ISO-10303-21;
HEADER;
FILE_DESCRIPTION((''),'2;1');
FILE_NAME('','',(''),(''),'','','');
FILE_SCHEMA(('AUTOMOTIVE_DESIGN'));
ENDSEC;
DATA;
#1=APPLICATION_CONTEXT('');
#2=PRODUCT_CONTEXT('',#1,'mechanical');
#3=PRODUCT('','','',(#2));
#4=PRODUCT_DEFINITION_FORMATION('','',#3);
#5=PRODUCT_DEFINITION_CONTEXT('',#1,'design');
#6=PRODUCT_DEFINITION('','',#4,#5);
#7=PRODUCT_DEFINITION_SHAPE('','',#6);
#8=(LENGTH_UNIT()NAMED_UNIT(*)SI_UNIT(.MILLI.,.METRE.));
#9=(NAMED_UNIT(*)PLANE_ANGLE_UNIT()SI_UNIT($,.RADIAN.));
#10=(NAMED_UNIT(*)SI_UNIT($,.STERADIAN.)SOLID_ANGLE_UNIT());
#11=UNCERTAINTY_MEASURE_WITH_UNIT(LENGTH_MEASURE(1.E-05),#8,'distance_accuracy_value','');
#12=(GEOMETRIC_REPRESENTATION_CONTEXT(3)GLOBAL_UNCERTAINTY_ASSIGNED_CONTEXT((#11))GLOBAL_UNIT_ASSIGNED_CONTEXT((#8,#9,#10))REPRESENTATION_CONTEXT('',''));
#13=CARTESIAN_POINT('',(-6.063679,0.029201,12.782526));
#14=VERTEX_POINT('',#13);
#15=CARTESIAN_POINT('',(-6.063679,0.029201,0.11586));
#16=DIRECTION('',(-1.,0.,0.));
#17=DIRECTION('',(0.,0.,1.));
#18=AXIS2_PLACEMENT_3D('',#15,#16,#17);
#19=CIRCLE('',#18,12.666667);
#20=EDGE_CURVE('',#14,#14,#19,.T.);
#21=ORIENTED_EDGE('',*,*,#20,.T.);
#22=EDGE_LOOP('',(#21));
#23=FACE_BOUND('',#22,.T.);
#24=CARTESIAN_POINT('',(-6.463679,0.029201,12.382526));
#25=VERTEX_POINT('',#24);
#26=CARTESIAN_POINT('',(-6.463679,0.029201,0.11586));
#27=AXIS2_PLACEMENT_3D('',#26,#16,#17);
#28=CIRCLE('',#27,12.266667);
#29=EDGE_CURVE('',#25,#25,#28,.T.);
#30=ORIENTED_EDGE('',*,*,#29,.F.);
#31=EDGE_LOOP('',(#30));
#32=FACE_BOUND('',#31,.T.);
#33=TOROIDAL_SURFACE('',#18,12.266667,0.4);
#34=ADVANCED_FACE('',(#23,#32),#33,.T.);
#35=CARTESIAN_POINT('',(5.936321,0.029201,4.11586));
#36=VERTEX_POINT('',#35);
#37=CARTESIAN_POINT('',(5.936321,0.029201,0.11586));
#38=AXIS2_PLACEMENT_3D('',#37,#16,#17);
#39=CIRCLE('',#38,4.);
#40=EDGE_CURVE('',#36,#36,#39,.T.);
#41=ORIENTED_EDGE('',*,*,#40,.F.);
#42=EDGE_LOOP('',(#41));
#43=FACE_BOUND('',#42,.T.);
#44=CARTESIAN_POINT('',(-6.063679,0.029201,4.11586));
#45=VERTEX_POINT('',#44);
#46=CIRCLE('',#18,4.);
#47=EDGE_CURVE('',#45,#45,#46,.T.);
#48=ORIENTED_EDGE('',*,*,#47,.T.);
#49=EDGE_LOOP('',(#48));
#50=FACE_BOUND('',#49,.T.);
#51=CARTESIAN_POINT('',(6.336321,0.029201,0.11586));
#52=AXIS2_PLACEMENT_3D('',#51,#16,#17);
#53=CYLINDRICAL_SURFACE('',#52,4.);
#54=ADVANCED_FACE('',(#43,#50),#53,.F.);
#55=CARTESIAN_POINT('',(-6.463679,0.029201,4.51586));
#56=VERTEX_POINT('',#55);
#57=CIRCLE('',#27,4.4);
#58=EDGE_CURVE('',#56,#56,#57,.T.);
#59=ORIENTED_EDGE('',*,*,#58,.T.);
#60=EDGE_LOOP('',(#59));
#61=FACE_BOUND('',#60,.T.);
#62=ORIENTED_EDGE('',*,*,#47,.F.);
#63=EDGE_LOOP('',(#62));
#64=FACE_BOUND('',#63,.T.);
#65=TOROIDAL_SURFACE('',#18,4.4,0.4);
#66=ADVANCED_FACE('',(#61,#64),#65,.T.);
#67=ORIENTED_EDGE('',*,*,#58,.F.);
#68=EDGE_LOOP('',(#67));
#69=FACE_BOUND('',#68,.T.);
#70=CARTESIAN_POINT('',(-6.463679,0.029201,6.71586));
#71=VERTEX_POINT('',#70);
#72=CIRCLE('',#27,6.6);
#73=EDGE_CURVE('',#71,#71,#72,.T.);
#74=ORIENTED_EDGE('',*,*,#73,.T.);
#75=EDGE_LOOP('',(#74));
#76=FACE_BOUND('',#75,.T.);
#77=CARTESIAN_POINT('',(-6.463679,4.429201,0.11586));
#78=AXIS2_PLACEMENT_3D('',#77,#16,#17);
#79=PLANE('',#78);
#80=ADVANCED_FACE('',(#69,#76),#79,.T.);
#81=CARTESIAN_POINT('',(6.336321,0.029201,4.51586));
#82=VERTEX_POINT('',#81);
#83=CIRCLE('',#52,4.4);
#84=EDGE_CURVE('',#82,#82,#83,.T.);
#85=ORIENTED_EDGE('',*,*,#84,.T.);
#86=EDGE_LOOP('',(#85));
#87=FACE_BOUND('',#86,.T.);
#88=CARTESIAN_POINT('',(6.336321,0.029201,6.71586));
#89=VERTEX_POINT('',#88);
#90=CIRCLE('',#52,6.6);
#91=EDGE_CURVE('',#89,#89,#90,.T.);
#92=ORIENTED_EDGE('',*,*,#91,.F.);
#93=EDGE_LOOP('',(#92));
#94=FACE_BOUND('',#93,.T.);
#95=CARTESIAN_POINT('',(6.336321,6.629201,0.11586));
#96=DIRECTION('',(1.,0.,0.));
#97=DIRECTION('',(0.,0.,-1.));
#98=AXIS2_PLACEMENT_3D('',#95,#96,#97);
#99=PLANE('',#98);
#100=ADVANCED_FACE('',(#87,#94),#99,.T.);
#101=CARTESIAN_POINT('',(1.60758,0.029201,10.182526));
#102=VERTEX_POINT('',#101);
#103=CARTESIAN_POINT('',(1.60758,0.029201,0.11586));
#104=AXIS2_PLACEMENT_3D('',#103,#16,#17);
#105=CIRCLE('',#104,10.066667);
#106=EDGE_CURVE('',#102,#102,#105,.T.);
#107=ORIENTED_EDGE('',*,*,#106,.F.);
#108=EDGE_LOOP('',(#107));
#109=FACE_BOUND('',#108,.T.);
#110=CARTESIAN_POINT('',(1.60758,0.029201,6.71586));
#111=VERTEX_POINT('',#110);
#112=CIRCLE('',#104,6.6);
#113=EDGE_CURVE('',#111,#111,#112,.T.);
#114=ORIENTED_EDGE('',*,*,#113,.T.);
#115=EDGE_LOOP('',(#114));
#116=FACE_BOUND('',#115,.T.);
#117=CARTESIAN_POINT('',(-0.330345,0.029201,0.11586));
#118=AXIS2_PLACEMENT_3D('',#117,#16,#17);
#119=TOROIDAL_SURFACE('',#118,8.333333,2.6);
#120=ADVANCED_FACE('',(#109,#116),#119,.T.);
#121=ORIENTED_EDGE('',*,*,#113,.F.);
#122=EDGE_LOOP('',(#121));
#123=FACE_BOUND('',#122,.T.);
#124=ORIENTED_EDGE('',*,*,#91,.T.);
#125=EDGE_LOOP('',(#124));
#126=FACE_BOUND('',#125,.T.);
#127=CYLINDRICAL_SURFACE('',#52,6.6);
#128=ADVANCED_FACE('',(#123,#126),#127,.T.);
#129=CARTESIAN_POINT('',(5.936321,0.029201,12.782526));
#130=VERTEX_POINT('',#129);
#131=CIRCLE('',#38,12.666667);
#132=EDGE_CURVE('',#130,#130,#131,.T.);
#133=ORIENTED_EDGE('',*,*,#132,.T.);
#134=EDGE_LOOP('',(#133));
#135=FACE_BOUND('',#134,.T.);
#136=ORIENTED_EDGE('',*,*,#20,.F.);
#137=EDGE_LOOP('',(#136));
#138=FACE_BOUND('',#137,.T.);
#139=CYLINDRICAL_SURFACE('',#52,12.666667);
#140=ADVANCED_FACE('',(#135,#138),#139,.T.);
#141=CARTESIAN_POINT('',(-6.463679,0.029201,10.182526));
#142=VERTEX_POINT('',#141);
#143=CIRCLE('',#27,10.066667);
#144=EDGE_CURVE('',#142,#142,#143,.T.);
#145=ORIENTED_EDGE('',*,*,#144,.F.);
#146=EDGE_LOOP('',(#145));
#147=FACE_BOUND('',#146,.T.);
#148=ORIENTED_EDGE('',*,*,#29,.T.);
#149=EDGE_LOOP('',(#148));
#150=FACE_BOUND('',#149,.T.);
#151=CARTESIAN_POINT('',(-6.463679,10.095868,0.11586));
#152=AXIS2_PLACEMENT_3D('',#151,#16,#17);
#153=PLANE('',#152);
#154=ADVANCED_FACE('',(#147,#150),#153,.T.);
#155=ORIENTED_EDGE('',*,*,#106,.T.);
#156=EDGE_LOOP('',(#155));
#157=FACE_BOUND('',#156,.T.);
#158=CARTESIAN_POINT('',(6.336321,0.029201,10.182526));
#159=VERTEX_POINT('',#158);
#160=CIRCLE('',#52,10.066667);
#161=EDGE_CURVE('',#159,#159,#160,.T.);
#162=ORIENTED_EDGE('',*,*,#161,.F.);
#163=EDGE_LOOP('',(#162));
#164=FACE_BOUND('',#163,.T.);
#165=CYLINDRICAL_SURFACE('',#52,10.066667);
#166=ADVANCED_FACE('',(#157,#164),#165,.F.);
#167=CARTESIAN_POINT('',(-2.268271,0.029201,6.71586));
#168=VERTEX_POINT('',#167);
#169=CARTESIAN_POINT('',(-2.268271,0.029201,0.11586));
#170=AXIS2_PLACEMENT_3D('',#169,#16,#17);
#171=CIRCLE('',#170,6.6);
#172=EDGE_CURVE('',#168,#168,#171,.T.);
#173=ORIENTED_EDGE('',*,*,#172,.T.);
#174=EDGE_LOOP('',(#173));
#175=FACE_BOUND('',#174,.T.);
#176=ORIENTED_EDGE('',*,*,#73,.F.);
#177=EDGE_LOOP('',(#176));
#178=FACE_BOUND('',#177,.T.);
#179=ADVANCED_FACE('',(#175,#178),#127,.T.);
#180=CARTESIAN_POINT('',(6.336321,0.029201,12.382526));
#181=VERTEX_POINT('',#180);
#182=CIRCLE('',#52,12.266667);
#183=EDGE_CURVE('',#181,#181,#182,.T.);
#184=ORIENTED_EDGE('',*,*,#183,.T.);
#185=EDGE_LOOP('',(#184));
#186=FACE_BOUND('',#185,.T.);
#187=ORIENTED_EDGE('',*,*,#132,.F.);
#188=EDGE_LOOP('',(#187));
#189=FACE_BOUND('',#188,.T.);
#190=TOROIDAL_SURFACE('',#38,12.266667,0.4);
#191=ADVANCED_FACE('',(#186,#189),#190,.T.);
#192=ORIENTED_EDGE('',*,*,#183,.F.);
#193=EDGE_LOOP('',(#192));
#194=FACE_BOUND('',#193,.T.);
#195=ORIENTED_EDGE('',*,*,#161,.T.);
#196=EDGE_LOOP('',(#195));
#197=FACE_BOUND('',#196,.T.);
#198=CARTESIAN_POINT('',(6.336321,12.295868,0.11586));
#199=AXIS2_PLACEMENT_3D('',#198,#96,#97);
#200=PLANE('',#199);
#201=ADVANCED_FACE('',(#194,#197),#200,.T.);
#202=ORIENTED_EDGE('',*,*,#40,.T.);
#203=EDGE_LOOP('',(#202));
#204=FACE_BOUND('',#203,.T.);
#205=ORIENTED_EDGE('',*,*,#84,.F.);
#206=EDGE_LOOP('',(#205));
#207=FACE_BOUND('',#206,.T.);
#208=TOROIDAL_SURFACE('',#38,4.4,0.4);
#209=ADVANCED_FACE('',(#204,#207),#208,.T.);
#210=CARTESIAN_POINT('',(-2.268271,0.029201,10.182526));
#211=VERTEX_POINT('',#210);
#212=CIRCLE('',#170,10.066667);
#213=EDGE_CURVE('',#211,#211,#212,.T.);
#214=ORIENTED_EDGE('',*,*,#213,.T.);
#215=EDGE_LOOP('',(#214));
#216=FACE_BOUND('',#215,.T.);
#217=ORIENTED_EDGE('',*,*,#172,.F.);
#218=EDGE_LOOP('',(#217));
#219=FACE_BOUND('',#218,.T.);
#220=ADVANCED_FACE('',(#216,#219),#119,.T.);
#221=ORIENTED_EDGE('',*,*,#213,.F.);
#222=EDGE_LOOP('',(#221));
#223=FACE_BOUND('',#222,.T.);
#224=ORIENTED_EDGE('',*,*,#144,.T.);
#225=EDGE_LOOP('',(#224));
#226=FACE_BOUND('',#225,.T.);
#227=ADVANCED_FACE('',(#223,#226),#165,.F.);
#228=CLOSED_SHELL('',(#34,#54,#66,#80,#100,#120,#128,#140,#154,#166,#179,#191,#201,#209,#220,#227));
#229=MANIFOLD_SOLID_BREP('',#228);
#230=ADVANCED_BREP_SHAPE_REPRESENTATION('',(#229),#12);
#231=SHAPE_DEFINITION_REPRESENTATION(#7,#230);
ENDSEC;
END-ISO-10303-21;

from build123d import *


with BuildPart() as part:
    # Sketch1 → Revolve1 (revolve)
    with BuildSketch(Plane(origin=(0, 0, 0.115859753), x_dir=(-1, 0, 0), z_dir=(0, 0, -1))):
        with BuildLine():
            Line((-1.607580359, 6.629201388), (-6.336321445, 6.629201388))
            Line((-6.336321445, 6.629201388), (-6.336321445, 4.429201388))
            ThreePointArc((-6.336321445, 4.429201388), (-6.219164158, 4.146358676), (-5.936321445, 4.029201388))
            Line((-5.936321445, 4.029201388), (6.063678555, 4.029201388))
            ThreePointArc((6.063678555, 4.029201388), (6.346521267, 4.146358676), (6.463678555, 4.429201388))
            Line((6.463678555, 4.429201388), (6.463678555, 6.629201388))
            Line((6.463678555, 6.629201388), (2.268270802, 6.629201388))
            ThreePointArc((2.268270802, 6.629201388), (2.930345222, 8.362534721), (2.268270802, 10.095868055))
            Line((2.268270802, 10.095868055), (6.463678555, 10.095868055))
            Line((6.463678555, 10.095868055), (6.463678555, 12.295868055))
            ThreePointArc((6.463678555, 12.295868055), (6.346521267, 12.578710767), (6.063678555, 12.695868055))
            Line((6.063678555, 12.695868055), (-5.936321445, 12.695868055))
            ThreePointArc((-5.936321445, 12.695868055), (-6.219164158, 12.578710767), (-6.336321445, 12.295868055))
            Line((-6.336321445, 12.295868055), (-6.336321445, 10.095868055))
            Line((-6.336321445, 10.095868055), (-1.607580359, 10.095868055))
            ThreePointArc((-1.607580359, 10.095868055), (-2.269654778, 8.362534721), (-1.607580359, 6.629201388))
        make_face()
    revolve(axis=Axis((6.336321445, 0.029201388, 0.115859753), (-1, 0, 0)))


solid = part.part
